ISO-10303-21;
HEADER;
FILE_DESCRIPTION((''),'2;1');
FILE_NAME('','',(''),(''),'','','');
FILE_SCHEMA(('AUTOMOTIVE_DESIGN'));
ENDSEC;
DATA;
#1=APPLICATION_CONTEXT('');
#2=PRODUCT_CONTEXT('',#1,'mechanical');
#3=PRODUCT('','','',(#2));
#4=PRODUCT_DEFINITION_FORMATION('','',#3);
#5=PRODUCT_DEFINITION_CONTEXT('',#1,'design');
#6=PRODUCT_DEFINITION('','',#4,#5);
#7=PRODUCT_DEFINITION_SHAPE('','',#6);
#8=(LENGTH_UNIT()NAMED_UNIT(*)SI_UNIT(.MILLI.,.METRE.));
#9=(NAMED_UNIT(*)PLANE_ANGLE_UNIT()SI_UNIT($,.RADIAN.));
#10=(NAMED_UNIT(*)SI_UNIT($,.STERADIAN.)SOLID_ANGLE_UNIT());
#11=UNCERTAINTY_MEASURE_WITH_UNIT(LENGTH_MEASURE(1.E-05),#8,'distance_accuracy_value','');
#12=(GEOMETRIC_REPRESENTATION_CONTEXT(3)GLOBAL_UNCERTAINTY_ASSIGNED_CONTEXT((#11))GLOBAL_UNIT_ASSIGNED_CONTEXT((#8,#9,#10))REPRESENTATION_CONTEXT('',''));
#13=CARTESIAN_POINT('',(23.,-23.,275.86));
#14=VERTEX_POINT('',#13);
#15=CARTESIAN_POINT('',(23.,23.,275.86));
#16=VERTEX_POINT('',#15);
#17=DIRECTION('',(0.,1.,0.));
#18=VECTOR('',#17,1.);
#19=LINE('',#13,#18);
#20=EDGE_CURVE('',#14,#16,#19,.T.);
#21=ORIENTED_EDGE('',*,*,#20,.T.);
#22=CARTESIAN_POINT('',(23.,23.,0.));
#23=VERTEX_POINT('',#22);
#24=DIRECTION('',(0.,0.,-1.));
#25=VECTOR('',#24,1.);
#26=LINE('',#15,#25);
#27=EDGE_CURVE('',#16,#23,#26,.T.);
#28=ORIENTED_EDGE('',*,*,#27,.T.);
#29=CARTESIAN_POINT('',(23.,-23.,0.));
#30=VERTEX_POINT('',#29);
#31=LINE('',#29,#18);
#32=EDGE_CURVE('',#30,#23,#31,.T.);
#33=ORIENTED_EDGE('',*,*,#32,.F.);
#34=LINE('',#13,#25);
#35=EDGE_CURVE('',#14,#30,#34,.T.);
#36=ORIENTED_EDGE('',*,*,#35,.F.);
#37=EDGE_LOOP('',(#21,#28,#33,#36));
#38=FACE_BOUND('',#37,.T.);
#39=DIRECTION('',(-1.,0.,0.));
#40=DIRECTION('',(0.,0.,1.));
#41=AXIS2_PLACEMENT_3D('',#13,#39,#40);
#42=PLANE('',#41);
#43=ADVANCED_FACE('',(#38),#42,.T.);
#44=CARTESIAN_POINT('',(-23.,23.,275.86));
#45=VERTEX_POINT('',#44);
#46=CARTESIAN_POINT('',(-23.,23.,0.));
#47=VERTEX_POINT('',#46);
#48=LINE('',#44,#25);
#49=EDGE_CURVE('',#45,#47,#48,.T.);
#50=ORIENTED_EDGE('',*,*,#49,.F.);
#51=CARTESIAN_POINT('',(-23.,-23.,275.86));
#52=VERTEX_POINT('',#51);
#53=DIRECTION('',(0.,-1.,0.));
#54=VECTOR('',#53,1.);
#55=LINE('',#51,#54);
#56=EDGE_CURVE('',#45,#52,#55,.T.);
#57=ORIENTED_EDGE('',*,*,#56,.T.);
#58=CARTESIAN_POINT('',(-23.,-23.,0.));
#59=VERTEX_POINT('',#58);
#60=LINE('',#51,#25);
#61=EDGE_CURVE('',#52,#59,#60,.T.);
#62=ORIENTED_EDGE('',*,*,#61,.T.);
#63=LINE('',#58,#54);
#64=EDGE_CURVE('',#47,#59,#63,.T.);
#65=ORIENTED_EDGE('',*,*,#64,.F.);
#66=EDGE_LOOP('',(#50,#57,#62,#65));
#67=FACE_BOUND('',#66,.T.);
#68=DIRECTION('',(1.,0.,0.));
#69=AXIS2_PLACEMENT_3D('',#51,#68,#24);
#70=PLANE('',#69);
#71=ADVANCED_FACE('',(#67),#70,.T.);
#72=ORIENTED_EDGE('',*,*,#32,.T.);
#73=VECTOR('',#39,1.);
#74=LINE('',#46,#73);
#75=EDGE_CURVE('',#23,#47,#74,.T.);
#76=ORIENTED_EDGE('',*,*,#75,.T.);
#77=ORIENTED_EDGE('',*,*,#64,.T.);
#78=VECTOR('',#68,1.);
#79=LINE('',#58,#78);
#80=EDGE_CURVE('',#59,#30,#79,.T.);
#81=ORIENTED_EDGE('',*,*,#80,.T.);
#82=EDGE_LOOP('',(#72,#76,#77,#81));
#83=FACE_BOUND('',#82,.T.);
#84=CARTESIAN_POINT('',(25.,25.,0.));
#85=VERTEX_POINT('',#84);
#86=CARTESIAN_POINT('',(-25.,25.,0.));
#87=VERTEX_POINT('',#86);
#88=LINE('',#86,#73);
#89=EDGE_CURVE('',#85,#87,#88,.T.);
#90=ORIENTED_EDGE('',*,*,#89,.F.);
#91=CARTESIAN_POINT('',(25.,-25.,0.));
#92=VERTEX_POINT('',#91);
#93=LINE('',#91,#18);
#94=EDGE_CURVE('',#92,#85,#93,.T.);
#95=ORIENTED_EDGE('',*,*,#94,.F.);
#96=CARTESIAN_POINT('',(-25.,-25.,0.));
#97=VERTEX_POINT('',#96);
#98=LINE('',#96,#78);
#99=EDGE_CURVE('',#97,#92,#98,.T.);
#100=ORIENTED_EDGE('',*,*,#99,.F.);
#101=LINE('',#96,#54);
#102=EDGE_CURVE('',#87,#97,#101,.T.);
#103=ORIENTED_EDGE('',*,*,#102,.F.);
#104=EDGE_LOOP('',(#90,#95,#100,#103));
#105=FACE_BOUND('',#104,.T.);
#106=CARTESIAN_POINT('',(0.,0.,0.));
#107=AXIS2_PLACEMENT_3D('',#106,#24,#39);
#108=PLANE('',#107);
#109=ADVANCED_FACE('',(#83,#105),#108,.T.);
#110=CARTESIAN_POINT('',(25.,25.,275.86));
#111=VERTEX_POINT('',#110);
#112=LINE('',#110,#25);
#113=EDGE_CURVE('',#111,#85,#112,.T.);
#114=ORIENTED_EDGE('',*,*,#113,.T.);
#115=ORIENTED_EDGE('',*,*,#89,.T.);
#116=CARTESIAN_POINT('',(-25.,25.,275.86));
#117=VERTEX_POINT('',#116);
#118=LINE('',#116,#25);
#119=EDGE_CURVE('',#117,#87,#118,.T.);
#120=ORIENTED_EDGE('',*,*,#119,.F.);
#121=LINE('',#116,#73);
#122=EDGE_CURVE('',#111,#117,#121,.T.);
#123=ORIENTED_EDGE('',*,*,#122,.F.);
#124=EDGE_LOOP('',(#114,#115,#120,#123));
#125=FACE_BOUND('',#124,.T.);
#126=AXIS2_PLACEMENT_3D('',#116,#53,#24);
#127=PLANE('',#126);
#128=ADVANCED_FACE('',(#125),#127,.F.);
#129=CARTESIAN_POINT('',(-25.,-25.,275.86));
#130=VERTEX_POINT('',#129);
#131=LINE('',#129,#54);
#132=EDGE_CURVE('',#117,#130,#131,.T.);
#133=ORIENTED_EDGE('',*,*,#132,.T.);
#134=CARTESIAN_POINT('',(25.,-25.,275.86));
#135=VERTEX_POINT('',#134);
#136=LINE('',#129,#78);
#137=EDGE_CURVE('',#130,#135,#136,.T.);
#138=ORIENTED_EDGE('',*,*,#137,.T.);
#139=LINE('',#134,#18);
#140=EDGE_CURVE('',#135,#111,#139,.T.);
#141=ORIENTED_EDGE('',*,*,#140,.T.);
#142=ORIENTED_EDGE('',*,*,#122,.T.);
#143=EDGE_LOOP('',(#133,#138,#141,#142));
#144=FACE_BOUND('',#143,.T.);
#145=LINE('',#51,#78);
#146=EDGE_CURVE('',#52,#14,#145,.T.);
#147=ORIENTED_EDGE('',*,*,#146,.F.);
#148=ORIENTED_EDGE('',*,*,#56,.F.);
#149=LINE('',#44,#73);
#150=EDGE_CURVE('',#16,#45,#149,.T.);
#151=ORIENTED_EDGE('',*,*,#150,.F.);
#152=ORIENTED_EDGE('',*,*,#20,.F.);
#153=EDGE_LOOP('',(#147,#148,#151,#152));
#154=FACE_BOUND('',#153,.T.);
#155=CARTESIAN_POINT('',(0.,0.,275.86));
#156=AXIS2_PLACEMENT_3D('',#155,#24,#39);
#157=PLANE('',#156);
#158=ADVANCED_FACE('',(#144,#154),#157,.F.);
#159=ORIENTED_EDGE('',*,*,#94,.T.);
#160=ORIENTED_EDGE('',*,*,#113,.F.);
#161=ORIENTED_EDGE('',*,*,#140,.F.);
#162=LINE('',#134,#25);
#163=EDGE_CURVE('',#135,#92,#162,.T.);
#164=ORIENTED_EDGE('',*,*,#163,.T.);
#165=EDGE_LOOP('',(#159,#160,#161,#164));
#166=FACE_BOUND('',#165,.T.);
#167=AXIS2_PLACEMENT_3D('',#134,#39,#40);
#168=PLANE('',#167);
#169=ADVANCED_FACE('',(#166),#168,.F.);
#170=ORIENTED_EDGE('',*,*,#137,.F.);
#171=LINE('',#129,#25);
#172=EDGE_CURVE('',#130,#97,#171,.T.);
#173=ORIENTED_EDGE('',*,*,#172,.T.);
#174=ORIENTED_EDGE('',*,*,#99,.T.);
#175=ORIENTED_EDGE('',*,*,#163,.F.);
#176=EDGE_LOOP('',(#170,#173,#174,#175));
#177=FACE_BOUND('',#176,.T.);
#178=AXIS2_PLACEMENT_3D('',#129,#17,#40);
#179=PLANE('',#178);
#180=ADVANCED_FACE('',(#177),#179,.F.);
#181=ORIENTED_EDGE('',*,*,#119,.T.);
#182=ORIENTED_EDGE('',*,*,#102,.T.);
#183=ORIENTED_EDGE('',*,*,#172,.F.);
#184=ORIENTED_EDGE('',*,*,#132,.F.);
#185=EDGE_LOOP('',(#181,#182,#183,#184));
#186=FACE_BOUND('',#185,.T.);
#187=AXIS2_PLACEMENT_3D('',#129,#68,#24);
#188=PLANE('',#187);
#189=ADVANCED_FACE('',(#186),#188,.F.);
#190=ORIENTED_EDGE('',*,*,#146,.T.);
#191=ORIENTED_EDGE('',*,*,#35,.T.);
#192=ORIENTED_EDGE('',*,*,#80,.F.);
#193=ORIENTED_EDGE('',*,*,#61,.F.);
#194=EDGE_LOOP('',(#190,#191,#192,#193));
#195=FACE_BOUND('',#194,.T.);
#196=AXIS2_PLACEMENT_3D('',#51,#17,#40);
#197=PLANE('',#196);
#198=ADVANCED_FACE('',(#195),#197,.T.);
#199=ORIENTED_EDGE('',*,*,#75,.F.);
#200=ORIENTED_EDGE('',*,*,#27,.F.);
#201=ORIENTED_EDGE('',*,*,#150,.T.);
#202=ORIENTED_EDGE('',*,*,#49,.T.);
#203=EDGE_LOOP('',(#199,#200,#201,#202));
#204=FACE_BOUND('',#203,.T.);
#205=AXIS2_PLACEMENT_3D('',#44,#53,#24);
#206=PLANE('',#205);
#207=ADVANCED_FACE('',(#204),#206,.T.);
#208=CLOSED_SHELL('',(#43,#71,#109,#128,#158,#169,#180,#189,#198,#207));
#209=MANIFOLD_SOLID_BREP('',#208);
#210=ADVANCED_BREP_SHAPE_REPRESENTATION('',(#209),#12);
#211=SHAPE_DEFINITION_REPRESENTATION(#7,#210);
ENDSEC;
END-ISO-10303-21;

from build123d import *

# Parameters (mm, degrees)
SKETCH1_W           = 50
SKETCH1_H           = 50
SKETCH1_W_2         = 46
SKETCH1_H_2         = 46
BOSS_EXTRUDE1_DEPTH = 275.86


with BuildPart() as part:
    # Sketch1 → Boss-Extrude1 (new body)
    with BuildSketch(Plane.XY):
        Rectangle(SKETCH1_W, SKETCH1_H)
        Rectangle(SKETCH1_W_2, SKETCH1_H_2, mode=Mode.SUBTRACT)
    extrude(amount=BOSS_EXTRUDE1_DEPTH)


solid = part.part
